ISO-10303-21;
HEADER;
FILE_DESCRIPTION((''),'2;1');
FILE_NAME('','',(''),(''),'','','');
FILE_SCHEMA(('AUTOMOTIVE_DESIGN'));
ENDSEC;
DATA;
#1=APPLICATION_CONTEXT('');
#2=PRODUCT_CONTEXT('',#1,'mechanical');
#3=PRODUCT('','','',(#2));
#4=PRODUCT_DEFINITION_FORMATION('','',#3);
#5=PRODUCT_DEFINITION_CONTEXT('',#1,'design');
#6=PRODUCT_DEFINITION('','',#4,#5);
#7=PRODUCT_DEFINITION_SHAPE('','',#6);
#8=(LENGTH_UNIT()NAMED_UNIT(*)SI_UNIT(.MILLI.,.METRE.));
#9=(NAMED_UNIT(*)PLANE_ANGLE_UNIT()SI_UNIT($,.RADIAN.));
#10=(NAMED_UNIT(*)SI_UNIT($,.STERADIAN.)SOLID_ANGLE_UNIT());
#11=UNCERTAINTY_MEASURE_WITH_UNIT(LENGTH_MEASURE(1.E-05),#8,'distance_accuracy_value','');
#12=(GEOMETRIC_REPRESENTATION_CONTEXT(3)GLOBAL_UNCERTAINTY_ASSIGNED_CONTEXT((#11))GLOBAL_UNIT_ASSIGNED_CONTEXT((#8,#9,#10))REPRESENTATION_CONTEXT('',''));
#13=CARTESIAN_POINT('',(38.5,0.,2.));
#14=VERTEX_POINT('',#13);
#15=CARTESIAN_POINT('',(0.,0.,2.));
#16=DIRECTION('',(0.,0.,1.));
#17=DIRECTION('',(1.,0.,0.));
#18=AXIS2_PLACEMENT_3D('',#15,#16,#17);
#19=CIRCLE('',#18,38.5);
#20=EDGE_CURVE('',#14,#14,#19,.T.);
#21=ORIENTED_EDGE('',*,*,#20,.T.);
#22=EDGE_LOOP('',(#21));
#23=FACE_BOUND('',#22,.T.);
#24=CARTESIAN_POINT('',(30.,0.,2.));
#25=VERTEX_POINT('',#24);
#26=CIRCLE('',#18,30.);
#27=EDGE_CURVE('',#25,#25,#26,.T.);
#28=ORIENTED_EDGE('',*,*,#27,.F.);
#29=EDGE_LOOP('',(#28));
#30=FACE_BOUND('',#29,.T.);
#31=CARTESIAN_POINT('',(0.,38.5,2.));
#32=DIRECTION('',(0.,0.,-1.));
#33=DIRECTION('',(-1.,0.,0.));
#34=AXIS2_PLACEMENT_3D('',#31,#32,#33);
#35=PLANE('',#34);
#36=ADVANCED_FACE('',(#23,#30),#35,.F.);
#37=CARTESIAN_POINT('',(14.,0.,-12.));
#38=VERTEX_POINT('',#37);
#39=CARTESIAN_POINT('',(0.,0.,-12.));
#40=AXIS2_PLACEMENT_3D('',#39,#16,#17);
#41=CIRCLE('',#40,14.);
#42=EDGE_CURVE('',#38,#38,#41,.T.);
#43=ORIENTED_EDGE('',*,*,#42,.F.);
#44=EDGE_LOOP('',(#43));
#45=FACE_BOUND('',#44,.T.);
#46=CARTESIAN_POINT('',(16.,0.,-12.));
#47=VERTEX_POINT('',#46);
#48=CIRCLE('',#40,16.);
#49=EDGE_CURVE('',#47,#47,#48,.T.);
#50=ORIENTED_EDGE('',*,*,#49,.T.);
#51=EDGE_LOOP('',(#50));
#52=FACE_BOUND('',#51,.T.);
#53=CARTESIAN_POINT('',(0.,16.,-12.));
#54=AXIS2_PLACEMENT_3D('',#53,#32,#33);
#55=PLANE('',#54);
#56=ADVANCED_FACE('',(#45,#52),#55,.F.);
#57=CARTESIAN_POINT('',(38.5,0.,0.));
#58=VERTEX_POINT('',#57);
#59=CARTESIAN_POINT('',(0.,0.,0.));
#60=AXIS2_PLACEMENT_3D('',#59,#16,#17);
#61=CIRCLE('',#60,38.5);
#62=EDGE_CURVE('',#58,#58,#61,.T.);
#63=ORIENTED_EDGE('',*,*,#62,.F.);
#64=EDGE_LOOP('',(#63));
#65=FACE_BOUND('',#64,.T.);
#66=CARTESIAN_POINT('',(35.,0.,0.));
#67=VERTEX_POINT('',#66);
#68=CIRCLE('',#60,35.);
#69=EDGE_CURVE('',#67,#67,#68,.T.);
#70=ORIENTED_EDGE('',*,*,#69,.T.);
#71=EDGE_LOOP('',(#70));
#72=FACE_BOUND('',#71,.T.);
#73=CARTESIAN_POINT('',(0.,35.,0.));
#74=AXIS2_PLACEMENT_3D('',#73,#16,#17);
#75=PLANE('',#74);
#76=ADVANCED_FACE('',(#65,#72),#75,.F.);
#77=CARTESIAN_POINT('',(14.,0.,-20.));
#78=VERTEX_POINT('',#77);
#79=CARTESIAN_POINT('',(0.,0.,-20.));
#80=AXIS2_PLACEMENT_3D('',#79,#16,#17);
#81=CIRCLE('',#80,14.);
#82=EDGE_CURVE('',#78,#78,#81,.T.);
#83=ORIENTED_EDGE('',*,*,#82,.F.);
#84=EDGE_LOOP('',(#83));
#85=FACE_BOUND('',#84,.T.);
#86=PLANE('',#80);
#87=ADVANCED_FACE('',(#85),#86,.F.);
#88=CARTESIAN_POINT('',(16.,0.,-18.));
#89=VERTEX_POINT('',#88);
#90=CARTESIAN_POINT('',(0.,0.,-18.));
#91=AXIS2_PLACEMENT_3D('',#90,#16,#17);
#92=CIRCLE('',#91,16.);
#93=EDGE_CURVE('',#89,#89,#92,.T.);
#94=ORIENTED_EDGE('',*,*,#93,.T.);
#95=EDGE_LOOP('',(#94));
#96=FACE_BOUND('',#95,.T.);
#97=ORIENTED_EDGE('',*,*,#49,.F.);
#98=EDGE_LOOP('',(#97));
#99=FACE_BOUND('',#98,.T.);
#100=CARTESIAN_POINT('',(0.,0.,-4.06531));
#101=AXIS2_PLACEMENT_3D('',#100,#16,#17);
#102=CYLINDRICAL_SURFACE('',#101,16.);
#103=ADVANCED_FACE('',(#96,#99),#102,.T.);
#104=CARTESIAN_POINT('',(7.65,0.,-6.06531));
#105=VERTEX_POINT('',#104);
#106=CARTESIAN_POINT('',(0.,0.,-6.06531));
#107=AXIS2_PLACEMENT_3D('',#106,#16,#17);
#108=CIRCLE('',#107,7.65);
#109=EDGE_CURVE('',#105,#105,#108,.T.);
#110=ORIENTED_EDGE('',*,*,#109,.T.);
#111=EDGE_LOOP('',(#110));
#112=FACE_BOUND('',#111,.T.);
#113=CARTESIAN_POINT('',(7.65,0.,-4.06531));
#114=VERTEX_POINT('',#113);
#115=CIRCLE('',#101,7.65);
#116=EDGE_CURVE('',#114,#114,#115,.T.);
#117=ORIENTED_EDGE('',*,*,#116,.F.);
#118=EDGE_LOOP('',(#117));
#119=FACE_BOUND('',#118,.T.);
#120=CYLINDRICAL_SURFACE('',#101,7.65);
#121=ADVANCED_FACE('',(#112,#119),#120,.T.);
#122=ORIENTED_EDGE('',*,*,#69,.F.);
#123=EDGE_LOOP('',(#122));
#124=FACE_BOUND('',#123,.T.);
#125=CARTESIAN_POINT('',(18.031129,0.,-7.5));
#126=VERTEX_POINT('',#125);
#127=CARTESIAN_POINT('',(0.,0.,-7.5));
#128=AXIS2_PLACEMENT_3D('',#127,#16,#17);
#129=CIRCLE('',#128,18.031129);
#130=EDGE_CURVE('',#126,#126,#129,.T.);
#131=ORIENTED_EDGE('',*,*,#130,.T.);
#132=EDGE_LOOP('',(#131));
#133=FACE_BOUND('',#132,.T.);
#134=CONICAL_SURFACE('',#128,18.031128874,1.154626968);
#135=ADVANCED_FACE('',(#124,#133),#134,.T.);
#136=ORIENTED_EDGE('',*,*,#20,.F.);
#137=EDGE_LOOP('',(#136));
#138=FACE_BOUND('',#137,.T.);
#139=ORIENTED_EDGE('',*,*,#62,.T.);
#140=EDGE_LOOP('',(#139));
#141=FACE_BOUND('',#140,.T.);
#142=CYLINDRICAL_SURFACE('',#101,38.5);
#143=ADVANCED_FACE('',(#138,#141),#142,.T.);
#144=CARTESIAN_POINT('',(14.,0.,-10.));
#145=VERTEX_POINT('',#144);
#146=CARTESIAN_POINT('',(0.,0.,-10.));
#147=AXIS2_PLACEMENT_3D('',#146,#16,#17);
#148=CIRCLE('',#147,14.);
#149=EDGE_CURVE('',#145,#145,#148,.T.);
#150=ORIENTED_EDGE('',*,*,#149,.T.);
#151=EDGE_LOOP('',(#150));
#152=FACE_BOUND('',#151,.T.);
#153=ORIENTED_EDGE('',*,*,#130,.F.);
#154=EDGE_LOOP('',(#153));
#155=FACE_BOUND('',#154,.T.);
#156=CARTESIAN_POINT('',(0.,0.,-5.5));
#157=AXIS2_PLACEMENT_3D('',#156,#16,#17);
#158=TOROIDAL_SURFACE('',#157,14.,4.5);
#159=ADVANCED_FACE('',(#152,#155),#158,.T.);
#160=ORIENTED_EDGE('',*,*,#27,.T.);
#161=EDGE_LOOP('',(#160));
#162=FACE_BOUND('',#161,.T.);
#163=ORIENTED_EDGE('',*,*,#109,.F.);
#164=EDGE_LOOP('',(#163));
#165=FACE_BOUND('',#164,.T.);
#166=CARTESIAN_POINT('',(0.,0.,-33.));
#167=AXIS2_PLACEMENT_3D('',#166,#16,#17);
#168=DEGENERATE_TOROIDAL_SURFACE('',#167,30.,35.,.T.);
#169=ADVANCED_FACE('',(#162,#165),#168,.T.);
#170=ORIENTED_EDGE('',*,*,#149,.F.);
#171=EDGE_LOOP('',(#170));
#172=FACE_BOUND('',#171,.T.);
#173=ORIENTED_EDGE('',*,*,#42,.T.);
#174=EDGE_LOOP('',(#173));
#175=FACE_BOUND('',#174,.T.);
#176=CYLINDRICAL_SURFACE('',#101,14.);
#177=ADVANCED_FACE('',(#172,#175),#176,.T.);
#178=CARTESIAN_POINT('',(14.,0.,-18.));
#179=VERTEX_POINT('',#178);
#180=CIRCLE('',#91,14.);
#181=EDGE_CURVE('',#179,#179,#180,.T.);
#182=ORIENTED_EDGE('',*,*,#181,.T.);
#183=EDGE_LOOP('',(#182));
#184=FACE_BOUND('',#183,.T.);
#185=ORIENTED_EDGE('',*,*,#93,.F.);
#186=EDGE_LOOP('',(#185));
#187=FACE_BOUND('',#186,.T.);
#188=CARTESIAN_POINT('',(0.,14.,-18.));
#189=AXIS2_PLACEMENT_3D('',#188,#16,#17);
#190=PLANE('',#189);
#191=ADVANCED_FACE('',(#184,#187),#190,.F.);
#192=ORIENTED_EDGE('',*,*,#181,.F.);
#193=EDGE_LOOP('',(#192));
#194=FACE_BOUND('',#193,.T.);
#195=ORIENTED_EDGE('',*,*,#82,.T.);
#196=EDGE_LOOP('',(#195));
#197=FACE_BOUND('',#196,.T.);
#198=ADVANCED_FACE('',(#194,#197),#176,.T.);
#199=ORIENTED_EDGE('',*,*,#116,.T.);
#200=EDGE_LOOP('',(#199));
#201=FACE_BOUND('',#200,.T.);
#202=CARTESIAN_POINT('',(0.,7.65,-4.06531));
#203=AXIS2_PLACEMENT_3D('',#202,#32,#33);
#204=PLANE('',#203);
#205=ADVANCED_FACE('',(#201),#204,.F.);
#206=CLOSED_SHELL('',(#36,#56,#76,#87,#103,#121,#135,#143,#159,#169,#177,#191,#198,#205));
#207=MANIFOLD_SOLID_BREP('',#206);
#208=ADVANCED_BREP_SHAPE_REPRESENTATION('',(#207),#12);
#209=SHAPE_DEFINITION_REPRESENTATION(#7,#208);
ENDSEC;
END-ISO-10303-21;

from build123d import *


with BuildPart() as part:
    # Sketch1 → Revolve1 (revolve)
    with BuildSketch(Plane(origin=(0, 0, 0), x_dir=(0, 0, -1), z_dir=(1, 0, 0)), mode=Mode.PRIVATE) as revolve1_sk:
        with BuildLine():
            Line((20, 0), (20, 14))
            Line((20, 14), (18, 14))
            Line((18, 14), (18, 16))
            Line((18, 16), (12, 16))
            Line((12, 16), (12, 14))
            Line((12, 14), (10, 14))
            ThreePointArc((10, 14), (9.324264635, 16.371708245), (7.5, 18.031128874))
            Line((7.5, 18.031128874), (0, 35))
            Line((0, 35), (0, 38.5))
            Line((0, 38.5), (-2, 38.5))
            Line((-2, 38.5), (-2, 30))
            ThreePointArc((-2, 30), (0.078015449, 18.119640862), (6.065310471, 7.65))
            Line((6.065310471, 7.65), (4.065310471, 7.65))
            Line((4.065310471, 7.65), (4.065310471, 0))
            Line((4.065310471, 0), (20, 0))
        make_face()
    revolve(revolve1_sk.sketch.rotate(Axis((0, 0, -4.065310471), (0, 0, -1)), 90), axis=Axis((0, 0, -4.065310471), (0, 0, -1)))


solid = part.part
